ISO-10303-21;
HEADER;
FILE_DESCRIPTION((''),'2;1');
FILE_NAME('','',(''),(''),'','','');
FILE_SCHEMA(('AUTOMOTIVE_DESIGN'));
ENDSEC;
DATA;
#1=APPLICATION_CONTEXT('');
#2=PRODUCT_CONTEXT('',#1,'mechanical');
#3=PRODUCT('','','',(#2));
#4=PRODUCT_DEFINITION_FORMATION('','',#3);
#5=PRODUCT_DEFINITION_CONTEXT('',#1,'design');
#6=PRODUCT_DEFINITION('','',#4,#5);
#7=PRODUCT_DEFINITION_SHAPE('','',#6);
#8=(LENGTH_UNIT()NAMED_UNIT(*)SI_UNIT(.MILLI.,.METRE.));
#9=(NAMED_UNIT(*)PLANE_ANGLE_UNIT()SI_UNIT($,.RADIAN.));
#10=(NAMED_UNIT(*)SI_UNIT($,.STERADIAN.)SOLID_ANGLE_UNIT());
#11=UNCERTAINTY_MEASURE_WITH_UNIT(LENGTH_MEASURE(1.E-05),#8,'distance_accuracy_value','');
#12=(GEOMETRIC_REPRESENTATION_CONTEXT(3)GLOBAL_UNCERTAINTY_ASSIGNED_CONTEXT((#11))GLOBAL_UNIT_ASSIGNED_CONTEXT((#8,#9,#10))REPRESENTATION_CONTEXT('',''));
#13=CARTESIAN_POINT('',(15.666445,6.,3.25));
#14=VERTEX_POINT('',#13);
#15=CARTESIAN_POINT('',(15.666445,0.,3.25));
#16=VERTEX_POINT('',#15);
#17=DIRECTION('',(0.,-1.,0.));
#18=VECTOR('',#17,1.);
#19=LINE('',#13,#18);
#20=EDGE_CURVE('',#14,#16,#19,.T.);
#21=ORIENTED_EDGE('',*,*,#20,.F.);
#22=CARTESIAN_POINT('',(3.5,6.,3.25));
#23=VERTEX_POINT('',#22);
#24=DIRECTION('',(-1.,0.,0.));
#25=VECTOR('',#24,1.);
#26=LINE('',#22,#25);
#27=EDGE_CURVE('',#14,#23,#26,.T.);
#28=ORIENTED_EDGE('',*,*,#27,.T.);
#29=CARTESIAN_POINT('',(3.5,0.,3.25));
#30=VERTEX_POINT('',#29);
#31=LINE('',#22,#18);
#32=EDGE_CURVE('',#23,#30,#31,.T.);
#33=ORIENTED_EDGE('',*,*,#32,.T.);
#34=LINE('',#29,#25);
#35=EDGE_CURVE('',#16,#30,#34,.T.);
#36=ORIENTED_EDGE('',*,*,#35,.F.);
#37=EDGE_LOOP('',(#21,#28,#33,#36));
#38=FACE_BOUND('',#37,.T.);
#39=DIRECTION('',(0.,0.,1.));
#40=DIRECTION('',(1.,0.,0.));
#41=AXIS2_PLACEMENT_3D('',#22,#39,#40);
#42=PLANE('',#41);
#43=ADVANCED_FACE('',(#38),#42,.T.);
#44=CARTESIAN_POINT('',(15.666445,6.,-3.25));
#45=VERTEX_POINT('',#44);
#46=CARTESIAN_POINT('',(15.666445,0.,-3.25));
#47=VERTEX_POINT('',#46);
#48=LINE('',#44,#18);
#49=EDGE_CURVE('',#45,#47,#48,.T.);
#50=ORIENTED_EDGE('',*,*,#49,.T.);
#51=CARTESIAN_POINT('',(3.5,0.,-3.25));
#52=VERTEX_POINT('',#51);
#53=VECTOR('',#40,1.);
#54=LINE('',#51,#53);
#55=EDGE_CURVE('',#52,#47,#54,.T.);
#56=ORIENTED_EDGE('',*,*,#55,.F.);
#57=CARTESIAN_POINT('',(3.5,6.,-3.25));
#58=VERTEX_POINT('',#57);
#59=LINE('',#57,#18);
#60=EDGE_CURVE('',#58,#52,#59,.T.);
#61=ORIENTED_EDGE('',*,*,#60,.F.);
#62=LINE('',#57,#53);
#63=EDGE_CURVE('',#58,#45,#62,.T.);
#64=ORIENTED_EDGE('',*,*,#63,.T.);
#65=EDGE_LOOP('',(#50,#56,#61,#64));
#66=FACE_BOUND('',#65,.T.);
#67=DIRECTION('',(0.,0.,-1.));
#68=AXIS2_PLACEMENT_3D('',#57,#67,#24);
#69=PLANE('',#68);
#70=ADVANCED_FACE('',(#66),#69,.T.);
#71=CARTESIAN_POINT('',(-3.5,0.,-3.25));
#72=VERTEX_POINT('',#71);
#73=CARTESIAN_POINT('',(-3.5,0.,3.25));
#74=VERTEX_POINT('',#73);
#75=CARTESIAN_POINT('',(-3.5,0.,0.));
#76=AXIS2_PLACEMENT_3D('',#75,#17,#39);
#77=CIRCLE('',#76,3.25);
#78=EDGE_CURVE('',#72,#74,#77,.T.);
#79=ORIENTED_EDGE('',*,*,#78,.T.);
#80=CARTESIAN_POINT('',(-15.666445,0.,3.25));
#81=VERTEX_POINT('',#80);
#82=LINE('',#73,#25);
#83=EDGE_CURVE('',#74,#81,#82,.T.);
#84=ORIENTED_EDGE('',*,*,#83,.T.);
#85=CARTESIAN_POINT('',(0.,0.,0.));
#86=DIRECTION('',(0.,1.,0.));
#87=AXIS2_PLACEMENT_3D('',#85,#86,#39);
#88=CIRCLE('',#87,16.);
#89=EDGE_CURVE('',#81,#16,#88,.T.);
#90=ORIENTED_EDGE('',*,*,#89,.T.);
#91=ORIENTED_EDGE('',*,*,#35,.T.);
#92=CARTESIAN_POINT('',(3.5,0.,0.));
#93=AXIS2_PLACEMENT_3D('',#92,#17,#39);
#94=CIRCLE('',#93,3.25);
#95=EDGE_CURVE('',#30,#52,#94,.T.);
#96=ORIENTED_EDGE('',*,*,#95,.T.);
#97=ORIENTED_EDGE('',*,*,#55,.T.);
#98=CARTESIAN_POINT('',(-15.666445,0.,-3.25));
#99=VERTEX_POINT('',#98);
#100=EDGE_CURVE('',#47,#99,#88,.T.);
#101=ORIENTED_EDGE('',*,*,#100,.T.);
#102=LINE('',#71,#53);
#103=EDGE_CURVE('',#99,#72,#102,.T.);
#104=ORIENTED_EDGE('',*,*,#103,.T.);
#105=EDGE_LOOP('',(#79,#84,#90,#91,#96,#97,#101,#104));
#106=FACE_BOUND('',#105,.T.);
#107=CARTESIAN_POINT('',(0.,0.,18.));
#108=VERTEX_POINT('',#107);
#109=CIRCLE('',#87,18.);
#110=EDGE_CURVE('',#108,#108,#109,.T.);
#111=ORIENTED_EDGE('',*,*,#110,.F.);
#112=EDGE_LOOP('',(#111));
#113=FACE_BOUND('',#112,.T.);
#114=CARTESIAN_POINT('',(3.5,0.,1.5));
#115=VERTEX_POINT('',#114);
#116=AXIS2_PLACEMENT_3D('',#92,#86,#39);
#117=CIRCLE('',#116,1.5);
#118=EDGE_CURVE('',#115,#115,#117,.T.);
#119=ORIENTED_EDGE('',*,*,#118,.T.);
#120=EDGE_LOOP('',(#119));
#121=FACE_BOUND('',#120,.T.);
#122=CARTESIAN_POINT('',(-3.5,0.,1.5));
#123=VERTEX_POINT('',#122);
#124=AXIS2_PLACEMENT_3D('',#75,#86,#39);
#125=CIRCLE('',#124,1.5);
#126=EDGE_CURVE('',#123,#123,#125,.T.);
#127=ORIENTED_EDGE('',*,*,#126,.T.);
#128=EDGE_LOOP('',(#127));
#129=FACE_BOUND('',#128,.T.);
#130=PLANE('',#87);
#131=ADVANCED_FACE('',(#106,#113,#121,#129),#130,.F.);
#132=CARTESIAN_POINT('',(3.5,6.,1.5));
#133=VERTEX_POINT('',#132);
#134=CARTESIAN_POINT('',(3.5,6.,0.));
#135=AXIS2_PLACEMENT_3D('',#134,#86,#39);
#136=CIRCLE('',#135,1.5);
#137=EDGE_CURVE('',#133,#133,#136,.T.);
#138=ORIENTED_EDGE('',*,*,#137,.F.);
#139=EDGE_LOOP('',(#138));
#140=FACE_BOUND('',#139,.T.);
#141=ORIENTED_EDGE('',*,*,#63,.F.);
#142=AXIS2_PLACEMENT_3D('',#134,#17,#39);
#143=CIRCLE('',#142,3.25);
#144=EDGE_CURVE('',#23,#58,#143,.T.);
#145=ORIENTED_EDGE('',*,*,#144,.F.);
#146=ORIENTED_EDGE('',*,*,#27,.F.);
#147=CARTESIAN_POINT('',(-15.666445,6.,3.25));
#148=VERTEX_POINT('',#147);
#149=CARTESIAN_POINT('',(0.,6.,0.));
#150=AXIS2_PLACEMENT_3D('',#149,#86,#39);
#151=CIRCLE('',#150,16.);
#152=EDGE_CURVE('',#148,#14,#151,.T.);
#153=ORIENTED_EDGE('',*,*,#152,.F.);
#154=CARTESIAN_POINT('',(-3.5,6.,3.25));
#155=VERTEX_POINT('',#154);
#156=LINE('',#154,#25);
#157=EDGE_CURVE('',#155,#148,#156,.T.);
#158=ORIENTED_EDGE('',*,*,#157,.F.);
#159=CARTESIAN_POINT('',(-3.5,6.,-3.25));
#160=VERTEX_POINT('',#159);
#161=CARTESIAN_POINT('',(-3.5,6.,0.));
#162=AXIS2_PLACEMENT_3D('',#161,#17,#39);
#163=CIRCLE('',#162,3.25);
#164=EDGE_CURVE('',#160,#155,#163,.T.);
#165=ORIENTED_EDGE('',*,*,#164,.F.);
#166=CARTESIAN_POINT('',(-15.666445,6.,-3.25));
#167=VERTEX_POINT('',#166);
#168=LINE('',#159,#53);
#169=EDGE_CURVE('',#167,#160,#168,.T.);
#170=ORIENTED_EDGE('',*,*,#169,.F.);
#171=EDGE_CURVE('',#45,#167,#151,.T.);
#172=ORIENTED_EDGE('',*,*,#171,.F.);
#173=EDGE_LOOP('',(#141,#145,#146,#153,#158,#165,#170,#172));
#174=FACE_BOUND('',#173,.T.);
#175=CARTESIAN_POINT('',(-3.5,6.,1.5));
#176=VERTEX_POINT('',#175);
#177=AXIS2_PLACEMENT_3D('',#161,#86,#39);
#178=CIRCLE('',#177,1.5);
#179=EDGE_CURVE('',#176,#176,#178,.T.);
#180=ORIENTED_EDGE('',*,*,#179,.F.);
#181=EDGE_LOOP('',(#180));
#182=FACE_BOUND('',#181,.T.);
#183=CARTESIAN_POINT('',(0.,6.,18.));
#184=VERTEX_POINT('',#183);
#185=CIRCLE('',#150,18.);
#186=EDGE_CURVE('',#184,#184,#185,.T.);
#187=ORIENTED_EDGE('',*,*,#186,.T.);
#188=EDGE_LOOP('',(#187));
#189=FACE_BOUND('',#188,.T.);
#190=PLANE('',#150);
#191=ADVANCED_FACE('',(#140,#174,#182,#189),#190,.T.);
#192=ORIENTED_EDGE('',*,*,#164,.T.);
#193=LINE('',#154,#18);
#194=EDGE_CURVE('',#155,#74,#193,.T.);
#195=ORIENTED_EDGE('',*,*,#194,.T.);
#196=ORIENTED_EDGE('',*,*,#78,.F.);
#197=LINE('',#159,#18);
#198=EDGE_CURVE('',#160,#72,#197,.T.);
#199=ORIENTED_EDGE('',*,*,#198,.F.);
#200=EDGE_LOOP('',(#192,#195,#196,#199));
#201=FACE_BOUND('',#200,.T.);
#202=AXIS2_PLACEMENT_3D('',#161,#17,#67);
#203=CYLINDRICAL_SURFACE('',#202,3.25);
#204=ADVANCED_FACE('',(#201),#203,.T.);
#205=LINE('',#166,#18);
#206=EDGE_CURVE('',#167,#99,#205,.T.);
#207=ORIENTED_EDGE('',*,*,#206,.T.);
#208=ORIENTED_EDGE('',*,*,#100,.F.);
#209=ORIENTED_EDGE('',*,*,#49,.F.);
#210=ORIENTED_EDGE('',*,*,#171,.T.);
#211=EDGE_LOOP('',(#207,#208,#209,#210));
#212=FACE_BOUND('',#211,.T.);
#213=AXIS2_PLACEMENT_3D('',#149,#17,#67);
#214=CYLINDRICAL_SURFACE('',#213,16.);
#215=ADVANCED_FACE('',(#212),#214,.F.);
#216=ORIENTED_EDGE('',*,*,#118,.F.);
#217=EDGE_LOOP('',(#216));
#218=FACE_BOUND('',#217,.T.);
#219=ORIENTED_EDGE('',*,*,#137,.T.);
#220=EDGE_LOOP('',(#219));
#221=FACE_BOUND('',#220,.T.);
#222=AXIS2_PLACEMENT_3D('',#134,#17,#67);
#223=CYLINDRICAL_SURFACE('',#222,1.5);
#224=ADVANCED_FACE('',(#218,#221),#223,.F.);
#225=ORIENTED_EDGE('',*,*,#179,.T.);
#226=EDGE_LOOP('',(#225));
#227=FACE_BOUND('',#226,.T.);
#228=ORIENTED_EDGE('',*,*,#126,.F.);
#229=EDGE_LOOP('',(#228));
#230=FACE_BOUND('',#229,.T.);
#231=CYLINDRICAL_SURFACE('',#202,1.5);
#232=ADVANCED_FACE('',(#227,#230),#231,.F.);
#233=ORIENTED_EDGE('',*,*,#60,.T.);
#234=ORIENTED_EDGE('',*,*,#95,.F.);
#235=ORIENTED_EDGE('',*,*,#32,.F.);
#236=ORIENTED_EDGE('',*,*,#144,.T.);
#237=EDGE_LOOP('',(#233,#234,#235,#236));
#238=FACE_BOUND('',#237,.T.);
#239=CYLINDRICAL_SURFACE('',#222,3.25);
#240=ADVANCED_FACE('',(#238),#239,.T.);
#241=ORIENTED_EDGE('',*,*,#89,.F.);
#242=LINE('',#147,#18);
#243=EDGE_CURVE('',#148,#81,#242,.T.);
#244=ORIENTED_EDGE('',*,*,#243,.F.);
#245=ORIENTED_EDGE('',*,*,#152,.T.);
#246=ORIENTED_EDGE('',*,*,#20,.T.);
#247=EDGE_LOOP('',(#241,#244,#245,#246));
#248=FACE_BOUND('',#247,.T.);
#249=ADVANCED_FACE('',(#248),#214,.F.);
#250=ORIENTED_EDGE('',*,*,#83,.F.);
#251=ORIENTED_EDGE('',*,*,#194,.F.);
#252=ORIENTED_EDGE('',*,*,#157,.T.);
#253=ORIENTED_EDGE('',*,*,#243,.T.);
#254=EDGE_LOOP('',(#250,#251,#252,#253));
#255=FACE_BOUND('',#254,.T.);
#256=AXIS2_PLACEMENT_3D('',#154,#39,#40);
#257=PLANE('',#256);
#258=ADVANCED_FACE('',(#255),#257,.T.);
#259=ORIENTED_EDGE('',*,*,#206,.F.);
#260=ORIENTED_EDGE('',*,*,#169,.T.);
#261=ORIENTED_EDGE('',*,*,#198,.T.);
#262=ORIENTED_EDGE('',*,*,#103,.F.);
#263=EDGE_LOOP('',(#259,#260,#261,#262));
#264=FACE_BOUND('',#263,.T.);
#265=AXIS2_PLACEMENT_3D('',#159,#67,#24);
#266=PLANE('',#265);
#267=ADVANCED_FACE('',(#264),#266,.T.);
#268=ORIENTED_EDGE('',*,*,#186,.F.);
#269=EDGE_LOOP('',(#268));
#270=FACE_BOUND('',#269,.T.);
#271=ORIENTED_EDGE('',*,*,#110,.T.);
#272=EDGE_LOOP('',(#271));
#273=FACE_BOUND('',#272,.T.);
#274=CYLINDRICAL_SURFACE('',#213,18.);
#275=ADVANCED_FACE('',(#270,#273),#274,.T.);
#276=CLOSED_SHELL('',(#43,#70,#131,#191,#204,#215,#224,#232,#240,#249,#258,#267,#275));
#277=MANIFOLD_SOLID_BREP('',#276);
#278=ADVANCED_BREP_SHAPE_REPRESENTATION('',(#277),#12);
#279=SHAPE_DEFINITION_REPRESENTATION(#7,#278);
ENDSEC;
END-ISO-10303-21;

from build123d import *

# Parameters (mm, degrees)
ESQUISSE1_R        = 18
ESQUISSE1_R_2      = 1.5
BOSS_EXTRU_1_DEPTH = 6


with BuildPart() as part:
    # Esquisse1 → Boss.-Extru.1 (new body)
    with BuildSketch(Plane(origin=(0, 0, 0), x_dir=(1, 0, 0), z_dir=(0, 1, 0))):
        Circle(ESQUISSE1_R)
        with Locations((-3.5, 0)):
            Circle(ESQUISSE1_R_2, mode=Mode.SUBTRACT)
        with Locations((3.5, 0)):
            Circle(ESQUISSE1_R_2, mode=Mode.SUBTRACT)
        with BuildLine():
            Line((-3.5, 3.25), (-15.666445034, 3.25))
            ThreePointArc((-15.666445034, 3.25), (0, 16), (15.666445034, 3.25))
            Line((15.666445034, 3.25), (3.5, 3.25))
            ThreePointArc((3.5, 3.25), (0.25, 0), (3.5, -3.25))
            Line((3.5, -3.25), (15.666445034, -3.25))
            ThreePointArc((15.666445034, -3.25), (0, -16), (-15.666445034, -3.25))
            Line((-15.666445034, -3.25), (-3.5, -3.25))
            ThreePointArc((-3.5, -3.25), (-0.25, 0), (-3.5, 3.25))
        make_face(mode=Mode.SUBTRACT)
    extrude(amount=BOSS_EXTRU_1_DEPTH)


solid = part.part
